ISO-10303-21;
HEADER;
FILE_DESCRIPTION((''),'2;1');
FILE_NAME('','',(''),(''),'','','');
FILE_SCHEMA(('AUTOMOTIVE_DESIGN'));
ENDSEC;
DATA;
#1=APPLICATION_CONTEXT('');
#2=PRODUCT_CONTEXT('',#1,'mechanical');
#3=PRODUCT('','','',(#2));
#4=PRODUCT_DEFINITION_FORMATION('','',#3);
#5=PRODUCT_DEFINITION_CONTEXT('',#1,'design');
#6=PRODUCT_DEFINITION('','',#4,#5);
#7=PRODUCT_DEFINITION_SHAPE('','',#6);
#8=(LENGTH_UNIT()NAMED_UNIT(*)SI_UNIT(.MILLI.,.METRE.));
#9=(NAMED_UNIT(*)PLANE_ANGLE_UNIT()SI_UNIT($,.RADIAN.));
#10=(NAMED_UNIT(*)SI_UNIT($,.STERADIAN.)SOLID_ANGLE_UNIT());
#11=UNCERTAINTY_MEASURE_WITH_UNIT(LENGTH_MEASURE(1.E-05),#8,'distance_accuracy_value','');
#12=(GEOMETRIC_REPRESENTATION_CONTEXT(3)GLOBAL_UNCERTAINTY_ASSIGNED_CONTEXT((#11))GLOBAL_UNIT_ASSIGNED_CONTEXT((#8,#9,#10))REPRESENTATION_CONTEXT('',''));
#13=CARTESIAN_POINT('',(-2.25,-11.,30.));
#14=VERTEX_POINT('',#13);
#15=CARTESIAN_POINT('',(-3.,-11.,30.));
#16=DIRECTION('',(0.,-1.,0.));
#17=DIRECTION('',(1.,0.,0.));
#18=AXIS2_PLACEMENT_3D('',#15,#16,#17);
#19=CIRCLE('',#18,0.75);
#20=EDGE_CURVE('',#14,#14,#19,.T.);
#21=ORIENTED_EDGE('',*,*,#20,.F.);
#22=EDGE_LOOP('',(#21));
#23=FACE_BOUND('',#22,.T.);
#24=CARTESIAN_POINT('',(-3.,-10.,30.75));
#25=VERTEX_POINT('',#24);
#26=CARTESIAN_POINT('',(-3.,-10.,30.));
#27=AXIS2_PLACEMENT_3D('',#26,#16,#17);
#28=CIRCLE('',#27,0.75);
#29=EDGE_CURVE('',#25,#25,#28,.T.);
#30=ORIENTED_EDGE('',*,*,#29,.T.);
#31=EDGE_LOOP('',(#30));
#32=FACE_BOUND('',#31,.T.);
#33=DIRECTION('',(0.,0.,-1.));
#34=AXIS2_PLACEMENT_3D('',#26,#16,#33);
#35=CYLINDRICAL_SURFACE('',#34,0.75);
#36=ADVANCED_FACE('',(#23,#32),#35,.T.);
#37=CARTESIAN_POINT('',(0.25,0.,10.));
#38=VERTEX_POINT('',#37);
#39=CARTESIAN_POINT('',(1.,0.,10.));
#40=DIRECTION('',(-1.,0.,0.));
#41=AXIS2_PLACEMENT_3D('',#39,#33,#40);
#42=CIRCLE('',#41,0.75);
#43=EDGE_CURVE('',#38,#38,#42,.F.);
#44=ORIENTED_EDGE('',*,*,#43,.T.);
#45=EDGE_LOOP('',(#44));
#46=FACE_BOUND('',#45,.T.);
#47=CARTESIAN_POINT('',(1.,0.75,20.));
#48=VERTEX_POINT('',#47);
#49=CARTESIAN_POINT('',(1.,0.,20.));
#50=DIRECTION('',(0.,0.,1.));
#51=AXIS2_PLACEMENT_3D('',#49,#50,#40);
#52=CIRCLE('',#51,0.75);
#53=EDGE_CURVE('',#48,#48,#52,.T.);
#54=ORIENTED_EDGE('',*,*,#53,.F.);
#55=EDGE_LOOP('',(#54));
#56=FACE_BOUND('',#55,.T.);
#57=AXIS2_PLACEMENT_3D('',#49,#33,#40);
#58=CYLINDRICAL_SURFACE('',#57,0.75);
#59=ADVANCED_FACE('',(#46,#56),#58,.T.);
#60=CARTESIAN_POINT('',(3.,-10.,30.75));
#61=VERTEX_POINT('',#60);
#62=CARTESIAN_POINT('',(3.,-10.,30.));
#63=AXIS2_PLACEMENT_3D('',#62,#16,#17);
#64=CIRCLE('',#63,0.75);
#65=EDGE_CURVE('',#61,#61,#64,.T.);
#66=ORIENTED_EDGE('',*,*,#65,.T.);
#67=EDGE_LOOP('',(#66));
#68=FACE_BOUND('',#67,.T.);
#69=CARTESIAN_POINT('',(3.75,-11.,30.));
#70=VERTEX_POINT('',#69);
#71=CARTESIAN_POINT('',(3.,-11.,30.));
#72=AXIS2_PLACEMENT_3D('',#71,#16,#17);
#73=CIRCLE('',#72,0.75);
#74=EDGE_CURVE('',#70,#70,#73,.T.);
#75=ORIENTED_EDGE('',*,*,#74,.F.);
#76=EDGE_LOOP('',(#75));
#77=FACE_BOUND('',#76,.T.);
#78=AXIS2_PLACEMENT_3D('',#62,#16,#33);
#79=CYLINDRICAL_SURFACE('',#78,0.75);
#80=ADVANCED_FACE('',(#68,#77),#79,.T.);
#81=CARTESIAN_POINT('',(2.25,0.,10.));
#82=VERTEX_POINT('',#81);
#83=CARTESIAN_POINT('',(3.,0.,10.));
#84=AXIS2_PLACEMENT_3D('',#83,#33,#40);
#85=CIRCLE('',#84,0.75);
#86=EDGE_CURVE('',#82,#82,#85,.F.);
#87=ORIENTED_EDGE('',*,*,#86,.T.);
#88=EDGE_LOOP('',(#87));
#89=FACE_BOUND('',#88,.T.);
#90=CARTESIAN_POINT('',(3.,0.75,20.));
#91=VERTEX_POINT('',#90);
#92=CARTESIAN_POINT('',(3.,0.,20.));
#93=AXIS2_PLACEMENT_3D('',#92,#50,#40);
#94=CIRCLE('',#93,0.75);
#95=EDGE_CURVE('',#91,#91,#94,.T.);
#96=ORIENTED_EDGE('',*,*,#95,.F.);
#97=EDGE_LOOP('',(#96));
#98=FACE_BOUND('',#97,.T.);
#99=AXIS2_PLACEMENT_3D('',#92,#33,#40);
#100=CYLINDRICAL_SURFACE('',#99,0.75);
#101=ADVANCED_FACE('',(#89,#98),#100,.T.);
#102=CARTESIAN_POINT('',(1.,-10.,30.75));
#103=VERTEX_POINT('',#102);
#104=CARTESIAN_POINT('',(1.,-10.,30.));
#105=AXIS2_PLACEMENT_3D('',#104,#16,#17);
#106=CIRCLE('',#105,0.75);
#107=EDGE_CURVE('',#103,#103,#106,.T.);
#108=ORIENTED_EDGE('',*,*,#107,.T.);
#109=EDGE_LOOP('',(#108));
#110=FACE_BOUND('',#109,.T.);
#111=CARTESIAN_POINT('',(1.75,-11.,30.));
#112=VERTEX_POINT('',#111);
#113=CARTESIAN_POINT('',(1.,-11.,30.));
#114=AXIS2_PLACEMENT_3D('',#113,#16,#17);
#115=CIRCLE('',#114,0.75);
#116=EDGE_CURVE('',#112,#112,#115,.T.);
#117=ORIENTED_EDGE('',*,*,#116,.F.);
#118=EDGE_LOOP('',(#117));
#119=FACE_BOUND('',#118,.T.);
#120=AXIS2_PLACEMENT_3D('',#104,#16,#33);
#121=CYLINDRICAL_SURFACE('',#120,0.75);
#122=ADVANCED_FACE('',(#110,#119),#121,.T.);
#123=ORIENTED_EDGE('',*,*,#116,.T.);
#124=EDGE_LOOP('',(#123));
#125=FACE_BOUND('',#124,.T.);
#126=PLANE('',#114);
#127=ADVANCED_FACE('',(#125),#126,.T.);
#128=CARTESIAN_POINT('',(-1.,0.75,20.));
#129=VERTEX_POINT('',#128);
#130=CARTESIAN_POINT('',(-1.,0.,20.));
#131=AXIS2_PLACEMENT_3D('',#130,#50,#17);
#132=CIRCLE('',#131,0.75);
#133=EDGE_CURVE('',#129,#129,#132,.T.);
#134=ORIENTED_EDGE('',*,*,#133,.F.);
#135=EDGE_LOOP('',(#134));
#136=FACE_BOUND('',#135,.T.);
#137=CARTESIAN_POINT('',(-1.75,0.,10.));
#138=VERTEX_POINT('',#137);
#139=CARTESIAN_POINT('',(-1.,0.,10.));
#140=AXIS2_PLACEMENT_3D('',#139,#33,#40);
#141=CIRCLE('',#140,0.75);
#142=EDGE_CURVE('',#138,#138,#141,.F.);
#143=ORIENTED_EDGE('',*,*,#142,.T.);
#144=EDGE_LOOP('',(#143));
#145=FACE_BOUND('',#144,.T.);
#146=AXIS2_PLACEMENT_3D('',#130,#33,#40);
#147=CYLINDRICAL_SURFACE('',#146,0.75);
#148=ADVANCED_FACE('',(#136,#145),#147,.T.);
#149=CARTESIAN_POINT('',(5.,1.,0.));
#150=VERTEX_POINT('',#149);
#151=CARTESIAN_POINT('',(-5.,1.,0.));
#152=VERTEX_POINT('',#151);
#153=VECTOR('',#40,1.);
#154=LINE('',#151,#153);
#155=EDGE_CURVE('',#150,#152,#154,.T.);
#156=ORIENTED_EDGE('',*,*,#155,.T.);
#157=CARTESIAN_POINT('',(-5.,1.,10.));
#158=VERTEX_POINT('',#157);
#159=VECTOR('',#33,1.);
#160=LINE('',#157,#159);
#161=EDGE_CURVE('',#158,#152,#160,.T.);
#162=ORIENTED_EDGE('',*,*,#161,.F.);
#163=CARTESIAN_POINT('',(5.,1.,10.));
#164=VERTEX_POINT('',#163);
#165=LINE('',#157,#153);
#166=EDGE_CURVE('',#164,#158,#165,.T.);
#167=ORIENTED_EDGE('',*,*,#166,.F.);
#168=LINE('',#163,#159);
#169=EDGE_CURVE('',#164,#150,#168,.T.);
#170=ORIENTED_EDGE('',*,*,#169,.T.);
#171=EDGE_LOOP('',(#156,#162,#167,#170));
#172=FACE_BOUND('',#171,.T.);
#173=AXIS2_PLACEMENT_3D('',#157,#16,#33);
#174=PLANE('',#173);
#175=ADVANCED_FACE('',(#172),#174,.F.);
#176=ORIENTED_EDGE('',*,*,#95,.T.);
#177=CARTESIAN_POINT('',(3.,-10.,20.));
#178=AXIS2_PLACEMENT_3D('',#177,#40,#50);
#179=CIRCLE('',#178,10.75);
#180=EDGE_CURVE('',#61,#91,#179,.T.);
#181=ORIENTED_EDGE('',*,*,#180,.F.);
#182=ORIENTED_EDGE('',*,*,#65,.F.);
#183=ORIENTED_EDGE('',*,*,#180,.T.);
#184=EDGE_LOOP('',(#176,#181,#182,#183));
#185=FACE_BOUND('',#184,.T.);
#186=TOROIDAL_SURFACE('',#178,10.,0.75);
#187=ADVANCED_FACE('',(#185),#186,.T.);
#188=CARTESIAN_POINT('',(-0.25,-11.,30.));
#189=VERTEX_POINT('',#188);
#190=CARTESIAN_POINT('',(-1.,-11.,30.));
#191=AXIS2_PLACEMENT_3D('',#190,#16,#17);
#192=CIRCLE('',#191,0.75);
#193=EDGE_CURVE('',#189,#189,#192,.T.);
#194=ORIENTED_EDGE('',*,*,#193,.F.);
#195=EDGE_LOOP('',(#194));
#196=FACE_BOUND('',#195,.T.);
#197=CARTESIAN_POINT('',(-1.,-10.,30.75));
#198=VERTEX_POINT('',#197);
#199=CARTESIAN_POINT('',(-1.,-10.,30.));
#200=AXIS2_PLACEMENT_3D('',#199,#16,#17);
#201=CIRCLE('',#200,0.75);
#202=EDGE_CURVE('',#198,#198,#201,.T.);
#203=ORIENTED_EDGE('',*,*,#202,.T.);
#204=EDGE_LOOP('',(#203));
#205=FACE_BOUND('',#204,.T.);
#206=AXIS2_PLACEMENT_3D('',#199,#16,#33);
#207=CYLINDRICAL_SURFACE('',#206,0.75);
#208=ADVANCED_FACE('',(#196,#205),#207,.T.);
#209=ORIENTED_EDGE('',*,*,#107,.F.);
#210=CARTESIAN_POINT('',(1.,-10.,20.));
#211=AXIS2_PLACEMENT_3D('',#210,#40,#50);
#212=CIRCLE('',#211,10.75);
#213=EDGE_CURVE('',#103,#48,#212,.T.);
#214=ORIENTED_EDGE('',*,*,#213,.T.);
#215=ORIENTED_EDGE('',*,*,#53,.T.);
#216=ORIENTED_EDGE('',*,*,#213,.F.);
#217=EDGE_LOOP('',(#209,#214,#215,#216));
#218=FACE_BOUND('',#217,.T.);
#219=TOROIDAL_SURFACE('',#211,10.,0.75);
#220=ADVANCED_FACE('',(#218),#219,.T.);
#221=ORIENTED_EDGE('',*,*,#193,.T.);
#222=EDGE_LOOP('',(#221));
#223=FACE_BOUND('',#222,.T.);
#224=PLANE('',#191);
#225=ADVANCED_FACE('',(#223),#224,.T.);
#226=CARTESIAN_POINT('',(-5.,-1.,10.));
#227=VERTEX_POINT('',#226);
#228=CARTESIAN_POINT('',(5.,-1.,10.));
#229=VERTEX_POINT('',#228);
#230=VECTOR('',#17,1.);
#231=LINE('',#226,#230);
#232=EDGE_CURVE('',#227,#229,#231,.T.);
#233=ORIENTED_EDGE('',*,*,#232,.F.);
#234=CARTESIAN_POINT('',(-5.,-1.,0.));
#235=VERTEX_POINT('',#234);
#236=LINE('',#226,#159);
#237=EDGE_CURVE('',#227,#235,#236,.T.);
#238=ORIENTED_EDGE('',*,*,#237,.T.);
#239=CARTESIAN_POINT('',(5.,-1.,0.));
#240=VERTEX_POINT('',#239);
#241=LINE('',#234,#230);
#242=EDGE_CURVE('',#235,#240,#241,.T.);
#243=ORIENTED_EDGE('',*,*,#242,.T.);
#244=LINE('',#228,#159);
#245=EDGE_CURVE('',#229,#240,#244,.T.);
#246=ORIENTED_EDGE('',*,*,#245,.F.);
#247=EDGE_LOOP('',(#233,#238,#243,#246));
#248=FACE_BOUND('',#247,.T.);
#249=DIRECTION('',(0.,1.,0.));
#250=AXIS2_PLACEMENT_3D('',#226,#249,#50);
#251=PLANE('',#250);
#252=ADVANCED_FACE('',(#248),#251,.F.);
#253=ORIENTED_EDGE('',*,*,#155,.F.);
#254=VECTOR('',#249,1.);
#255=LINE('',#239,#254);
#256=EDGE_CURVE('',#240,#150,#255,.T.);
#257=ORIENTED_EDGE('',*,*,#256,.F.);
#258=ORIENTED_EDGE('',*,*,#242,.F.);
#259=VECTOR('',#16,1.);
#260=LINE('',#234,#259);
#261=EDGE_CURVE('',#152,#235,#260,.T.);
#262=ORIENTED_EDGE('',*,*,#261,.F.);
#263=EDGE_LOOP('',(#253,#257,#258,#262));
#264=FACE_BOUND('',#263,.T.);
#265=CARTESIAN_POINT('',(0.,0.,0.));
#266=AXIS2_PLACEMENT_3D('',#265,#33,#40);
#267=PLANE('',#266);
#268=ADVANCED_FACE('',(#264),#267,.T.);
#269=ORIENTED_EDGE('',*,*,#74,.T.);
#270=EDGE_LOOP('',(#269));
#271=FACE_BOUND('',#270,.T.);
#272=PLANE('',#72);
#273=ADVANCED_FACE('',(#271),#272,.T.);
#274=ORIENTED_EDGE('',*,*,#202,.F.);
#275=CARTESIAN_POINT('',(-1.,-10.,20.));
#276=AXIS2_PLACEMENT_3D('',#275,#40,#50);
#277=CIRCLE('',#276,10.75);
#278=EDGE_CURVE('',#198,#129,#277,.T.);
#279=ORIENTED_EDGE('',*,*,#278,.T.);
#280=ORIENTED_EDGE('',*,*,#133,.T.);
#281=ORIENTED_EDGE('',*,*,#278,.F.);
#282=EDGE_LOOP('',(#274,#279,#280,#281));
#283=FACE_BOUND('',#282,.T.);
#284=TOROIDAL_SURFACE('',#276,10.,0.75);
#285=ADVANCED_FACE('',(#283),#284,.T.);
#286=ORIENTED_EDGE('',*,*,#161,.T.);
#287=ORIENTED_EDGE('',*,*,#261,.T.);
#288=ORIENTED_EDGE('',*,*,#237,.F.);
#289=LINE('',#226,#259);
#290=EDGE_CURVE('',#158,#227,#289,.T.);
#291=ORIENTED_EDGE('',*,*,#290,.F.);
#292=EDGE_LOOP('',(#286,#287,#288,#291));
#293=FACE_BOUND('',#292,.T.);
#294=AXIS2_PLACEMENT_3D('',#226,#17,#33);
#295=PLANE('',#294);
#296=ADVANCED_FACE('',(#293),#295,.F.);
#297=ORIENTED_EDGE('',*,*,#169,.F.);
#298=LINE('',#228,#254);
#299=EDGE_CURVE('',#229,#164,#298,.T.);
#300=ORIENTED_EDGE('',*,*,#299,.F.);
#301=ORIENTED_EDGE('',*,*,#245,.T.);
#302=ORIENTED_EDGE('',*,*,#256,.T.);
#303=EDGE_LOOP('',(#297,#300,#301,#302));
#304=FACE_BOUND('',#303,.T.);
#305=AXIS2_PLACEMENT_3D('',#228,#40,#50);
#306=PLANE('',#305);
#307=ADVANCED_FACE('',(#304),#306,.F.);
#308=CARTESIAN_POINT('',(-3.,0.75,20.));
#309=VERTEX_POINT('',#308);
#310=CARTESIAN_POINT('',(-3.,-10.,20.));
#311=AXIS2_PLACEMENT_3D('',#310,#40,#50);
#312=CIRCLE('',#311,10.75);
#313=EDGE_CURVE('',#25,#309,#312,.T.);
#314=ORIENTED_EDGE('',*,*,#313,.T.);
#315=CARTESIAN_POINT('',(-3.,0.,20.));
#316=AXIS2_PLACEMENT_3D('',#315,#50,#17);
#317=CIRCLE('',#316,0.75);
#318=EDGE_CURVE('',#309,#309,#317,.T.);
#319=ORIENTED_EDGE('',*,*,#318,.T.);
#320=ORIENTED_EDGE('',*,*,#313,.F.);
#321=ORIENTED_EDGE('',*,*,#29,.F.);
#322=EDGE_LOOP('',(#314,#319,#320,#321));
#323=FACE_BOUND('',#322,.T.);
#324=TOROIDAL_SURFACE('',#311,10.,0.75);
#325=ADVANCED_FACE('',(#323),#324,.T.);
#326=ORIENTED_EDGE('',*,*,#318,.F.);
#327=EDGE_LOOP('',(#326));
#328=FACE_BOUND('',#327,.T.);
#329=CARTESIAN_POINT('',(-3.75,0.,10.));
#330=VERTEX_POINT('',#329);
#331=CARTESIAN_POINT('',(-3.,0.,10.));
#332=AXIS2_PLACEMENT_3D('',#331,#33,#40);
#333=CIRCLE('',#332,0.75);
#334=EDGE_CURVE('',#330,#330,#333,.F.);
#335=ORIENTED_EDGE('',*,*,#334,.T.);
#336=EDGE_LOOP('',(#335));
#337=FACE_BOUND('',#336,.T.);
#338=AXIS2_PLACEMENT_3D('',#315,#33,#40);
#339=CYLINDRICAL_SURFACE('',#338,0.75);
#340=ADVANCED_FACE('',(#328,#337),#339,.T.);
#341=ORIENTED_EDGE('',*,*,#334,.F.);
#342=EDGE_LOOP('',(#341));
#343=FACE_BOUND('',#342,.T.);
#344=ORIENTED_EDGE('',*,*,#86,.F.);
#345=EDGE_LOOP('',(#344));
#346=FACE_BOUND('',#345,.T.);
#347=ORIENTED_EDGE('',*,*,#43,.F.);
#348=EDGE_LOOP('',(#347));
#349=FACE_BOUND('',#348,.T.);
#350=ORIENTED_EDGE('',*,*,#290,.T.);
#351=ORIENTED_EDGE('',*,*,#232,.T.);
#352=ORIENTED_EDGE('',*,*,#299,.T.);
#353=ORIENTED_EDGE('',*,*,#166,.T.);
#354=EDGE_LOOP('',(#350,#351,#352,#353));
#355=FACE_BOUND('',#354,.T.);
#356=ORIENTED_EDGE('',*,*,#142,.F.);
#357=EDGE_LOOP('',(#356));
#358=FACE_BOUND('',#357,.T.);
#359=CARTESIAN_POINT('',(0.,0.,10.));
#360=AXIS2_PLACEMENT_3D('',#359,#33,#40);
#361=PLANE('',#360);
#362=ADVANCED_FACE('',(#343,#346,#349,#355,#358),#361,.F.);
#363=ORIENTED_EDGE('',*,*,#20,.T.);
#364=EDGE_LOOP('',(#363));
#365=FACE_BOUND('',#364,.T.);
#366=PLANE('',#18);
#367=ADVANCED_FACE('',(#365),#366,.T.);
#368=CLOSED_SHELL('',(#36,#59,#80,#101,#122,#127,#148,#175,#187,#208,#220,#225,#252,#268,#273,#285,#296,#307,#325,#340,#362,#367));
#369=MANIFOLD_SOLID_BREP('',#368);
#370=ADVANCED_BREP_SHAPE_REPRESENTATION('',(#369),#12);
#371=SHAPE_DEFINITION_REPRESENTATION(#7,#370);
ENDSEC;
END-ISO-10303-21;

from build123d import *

# Parameters (mm, degrees)
SKIZZE1_W                       = 10
SKIZZE1_H                       = 2
AUFSATZ_LINEAR_AUSTRAGEN1_DEPTH = 10
SKIZZE2_R                       = 0.75
AUFSATZ_LINEAR_AUSTRAGEN2_DEPTH = 10
SKIZZE4_R                       = 0.75
LINEARES_MUSTER1_COUNT          = 4
LINEARES_MUSTER1_PITCH          = 2


with BuildPart() as part:
    # Skizze1 → Aufsatz-Linear austragen1 (new body)
    with BuildSketch(Plane.XY):
        Rectangle(SKIZZE1_W, SKIZZE1_H)
    extrude(amount=AUFSATZ_LINEAR_AUSTRAGEN1_DEPTH)

    # Skizze2 → Aufsatz-Linear austragen2 (add)
    with BuildSketch(Plane.XY.offset(10)):
        with Locations(Location((-1, 0, 0), (0, 0, 180))):
            Circle(SKIZZE2_R)
        with Locations(Location((-3, 0, 0), (0, 0, 180))):
            Circle(SKIZZE2_R)
        with Locations(Location((1, 0, 0), (0, 0, 180))):
            Circle(SKIZZE2_R)
        with Locations(Location((3, 0, 0), (0, 0, 180))):
            Circle(SKIZZE2_R)
    extrude(amount=AUFSATZ_LINEAR_AUSTRAGEN2_DEPTH)

    # Austragung1: sweep along a path in Skizze3
    with BuildLine(Plane(origin=(-3, 0, 0), x_dir=(0, 0, -1), z_dir=(1, 0, 0))) as austragung1_path:
        Line((-30, -11), (-30, -10))
        ThreePointArc((-30, -10), (-27.071067812, -2.928932188), (-20, 0))
    # Skizze4 → Austragung1 (sweep)
    with BuildSketch(Plane.XY.offset(20)):
        with Locations((-3, 0)):
            Circle(SKIZZE4_R)
    austragung1 = sweep(path=austragung1_path.line)

    # Lineares Muster1: Austragung1 ×4
    with Locations(*[(i * LINEARES_MUSTER1_PITCH, 0, 0) for i in range(1, LINEARES_MUSTER1_COUNT)]):
        add(austragung1)


solid = part.part
